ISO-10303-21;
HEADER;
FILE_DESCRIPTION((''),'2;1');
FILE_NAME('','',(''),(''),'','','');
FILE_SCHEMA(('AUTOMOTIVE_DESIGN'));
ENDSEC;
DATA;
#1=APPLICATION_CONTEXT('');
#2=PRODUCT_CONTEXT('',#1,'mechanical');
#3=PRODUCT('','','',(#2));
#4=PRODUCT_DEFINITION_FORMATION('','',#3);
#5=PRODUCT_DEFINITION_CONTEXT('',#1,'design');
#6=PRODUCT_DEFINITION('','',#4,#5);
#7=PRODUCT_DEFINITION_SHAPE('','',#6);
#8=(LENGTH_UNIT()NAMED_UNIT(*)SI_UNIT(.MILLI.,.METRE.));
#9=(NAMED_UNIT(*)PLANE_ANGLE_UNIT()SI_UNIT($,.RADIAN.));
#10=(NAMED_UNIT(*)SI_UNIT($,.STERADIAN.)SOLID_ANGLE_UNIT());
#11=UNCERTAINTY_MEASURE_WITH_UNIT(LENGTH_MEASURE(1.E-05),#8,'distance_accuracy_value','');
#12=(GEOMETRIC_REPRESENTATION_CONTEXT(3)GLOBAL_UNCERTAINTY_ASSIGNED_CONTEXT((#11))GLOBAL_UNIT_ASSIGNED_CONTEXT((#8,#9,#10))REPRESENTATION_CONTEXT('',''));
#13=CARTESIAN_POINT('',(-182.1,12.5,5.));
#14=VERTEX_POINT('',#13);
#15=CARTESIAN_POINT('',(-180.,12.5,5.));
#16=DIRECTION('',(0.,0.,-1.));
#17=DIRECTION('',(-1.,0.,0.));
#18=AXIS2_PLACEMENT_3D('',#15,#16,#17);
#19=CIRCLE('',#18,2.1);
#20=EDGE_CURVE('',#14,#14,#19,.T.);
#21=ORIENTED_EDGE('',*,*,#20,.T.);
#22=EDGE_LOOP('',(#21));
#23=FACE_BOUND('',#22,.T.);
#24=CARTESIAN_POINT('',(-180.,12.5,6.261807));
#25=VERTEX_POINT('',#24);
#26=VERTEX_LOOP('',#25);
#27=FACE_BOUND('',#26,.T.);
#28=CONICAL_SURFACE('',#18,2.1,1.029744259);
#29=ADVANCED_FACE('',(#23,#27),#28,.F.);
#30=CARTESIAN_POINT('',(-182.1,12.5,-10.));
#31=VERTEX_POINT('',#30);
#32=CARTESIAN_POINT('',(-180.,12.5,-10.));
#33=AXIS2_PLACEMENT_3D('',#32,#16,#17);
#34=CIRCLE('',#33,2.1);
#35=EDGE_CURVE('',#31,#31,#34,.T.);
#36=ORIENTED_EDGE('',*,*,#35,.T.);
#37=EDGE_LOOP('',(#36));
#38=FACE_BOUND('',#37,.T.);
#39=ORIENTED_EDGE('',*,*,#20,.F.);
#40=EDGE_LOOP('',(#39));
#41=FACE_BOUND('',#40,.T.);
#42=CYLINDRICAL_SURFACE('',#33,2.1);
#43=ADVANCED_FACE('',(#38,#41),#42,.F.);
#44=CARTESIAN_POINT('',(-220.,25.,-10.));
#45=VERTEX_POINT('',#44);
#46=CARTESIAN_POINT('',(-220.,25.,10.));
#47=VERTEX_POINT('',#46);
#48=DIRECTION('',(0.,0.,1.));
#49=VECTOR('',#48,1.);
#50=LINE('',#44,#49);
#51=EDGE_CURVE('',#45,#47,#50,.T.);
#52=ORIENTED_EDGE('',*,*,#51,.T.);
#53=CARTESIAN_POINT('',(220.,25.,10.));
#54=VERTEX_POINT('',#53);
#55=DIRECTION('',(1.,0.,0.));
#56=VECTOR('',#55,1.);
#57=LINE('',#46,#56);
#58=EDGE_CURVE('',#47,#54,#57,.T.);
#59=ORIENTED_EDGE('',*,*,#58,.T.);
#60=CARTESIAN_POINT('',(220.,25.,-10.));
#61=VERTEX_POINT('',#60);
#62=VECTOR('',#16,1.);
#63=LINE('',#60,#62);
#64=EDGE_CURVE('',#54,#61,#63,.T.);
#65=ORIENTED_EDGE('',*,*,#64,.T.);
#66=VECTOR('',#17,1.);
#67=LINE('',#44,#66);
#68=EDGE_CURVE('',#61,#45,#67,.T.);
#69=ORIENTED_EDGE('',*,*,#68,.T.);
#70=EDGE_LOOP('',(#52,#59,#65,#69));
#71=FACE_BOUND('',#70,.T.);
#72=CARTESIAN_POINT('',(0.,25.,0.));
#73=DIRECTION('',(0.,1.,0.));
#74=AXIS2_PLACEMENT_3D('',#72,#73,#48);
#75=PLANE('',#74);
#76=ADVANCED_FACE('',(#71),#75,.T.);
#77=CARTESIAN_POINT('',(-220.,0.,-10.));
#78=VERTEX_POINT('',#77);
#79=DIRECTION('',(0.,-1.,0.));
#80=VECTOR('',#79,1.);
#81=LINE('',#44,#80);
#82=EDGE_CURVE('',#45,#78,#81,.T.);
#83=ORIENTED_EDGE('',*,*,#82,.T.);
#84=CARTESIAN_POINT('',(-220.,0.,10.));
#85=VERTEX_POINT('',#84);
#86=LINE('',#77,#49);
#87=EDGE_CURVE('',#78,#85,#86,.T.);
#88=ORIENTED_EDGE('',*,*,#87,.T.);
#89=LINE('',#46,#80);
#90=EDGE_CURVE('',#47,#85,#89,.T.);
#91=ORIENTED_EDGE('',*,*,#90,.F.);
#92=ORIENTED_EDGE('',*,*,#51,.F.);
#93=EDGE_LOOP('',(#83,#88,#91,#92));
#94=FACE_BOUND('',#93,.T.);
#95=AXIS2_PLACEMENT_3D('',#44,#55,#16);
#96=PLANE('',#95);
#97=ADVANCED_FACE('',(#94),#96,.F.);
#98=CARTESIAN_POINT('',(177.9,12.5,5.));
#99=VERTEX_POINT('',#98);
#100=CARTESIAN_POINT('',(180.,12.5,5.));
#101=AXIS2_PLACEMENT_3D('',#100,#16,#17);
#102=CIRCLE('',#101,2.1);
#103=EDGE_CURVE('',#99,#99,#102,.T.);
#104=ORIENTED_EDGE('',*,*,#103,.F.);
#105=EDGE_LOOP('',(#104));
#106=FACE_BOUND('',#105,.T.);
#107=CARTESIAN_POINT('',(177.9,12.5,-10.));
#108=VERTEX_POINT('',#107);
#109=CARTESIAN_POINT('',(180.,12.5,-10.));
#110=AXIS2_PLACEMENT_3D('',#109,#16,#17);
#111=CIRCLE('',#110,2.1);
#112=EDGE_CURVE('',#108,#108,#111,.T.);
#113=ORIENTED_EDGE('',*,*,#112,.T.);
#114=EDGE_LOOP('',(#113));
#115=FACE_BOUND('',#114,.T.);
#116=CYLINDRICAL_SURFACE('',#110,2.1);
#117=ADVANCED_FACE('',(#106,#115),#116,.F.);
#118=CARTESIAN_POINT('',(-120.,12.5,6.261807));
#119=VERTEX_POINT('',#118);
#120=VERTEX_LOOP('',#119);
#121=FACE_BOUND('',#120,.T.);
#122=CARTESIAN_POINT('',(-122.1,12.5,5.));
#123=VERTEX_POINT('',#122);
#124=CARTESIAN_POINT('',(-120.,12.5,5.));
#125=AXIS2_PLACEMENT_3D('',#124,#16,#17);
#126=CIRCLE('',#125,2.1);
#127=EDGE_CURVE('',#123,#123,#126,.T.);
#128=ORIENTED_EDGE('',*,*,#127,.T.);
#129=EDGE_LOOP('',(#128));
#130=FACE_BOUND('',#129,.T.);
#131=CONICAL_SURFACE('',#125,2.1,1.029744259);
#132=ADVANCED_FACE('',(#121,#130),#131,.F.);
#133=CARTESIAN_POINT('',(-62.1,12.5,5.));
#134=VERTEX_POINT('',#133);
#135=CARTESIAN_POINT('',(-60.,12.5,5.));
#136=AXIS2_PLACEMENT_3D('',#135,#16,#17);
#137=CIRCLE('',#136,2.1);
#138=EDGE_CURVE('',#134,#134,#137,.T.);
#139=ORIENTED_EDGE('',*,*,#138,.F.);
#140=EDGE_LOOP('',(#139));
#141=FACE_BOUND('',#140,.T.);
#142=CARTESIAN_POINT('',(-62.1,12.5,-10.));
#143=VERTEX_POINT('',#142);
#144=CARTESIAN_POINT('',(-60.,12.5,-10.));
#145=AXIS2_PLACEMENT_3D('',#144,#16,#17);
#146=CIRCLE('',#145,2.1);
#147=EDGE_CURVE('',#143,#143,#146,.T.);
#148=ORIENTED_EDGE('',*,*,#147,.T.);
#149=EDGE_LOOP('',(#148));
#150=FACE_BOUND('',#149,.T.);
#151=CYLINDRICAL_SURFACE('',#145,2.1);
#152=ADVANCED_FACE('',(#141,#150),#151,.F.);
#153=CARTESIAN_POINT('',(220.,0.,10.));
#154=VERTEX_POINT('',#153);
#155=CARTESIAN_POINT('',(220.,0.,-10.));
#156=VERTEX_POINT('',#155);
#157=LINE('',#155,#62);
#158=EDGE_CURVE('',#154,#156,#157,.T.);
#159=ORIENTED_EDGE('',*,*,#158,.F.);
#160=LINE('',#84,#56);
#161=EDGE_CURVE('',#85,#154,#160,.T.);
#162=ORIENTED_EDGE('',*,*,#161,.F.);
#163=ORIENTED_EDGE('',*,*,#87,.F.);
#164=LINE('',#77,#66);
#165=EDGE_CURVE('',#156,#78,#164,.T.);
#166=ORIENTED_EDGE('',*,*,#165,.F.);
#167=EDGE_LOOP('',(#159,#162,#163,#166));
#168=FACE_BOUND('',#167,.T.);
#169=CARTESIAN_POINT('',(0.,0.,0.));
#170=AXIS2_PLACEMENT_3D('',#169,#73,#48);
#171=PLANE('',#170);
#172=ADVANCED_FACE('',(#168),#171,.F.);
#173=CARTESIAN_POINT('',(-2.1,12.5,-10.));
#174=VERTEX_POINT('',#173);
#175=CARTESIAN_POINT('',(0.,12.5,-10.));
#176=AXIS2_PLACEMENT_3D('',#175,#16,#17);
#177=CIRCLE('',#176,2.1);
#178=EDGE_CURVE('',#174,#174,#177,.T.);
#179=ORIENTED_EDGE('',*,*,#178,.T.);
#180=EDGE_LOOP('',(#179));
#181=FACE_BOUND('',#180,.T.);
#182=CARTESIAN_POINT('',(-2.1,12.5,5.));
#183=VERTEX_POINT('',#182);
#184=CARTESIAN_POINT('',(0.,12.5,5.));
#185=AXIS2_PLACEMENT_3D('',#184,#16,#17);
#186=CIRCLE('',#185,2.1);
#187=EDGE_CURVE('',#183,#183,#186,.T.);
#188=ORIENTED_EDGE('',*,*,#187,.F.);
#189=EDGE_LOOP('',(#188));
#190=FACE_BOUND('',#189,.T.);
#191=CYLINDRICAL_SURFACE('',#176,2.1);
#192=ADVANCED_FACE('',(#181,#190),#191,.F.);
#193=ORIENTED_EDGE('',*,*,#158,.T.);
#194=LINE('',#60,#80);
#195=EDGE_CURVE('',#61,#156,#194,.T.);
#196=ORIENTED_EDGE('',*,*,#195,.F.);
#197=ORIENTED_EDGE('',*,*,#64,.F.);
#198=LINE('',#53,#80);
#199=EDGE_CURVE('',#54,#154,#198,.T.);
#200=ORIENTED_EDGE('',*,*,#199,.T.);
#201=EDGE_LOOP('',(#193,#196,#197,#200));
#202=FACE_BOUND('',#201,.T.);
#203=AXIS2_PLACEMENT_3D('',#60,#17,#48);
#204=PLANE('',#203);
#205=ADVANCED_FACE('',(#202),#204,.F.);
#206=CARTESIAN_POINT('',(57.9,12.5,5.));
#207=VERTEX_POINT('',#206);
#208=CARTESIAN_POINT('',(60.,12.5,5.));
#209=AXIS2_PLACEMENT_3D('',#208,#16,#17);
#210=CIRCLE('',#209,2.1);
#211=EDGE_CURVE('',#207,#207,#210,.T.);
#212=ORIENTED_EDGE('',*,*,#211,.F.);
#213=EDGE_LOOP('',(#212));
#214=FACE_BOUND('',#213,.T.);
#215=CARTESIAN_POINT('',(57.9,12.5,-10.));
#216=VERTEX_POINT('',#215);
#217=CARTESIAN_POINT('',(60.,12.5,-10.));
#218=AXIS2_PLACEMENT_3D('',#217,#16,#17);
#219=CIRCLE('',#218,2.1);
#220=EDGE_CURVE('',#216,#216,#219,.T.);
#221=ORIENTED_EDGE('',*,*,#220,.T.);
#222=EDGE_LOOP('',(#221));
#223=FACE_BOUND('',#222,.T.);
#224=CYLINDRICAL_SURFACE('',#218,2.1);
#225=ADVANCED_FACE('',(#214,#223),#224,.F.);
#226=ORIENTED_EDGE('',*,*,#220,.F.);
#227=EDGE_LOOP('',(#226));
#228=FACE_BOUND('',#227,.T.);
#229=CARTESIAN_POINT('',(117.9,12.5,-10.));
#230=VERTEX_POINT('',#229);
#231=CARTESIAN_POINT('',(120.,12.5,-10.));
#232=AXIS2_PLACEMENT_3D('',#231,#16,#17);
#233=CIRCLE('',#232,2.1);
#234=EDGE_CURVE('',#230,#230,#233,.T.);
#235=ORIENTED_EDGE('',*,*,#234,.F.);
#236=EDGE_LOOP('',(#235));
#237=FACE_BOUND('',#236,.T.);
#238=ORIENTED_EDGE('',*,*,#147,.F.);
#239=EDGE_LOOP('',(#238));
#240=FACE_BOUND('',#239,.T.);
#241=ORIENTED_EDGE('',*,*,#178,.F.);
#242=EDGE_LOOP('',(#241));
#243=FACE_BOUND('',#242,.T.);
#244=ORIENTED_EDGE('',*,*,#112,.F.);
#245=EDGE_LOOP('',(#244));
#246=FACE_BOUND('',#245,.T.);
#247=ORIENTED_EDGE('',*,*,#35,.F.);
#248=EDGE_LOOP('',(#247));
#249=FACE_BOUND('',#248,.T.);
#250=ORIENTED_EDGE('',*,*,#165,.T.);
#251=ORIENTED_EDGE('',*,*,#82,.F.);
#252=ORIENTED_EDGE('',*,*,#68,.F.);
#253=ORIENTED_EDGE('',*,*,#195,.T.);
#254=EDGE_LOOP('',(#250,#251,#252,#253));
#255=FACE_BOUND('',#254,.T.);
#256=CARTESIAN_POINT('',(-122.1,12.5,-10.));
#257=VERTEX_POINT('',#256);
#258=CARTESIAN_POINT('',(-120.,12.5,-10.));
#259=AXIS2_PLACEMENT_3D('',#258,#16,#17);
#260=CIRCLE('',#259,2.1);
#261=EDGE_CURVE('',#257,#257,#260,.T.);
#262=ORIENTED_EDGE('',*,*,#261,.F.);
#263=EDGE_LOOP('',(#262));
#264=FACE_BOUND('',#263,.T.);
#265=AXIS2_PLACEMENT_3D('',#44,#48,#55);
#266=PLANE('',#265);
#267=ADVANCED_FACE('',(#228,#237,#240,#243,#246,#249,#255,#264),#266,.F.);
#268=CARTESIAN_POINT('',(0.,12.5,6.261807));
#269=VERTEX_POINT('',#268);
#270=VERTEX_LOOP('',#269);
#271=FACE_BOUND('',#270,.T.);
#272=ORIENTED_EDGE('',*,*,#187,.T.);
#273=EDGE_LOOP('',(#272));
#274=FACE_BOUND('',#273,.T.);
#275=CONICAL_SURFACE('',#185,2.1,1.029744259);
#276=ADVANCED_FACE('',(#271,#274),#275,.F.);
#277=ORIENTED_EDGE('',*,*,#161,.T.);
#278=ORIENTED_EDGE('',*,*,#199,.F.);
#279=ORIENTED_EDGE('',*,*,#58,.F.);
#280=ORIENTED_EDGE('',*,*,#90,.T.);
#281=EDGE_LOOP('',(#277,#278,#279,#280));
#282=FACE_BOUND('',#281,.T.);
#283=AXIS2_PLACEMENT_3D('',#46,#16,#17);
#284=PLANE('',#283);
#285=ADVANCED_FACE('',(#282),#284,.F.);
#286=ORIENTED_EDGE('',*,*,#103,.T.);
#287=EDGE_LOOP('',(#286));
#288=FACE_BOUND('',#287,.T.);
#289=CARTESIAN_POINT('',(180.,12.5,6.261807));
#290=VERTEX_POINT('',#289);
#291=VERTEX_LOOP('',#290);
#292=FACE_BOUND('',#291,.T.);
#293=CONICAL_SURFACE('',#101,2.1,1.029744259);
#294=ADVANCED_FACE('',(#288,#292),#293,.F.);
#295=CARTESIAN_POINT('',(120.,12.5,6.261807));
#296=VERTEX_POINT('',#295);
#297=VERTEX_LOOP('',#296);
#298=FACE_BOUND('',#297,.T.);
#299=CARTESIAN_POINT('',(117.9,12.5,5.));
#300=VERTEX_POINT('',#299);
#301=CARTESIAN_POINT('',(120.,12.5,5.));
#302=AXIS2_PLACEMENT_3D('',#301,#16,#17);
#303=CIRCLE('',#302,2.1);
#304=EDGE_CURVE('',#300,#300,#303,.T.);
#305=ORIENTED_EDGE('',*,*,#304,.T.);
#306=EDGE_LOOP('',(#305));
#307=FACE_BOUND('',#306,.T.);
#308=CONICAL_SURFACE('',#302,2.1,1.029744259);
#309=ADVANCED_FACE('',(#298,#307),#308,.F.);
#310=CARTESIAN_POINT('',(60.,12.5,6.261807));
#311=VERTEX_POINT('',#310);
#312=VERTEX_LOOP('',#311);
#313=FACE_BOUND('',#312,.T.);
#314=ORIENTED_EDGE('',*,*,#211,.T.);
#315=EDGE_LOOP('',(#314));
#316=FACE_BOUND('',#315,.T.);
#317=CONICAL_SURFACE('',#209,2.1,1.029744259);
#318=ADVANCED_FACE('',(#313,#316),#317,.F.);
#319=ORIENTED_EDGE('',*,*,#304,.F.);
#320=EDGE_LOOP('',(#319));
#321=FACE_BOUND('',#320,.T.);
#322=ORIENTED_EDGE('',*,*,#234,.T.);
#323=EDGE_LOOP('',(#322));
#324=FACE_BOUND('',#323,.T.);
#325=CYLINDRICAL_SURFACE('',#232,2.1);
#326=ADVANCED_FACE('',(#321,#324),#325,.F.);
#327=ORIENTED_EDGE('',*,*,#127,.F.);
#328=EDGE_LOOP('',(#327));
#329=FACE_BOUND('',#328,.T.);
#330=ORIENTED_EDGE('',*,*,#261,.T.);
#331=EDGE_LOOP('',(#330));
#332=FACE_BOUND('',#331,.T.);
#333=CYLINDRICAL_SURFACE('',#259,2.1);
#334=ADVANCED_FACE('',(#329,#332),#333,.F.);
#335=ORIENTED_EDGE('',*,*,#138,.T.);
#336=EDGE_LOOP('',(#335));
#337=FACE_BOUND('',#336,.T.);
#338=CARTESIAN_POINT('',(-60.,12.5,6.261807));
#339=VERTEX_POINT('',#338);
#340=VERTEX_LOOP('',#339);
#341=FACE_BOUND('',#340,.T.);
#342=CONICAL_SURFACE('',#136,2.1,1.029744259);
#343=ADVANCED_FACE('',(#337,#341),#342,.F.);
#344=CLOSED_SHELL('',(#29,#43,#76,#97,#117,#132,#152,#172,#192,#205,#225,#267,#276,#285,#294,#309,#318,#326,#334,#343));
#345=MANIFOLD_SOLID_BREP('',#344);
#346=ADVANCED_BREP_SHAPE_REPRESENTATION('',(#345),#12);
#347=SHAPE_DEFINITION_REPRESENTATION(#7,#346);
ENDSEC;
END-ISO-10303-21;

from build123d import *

# Parameters (mm, degrees)
SKETCH1_W             = 440
SKETCH1_H             = 20
BOSS_EXTRUDE1_DEPTH   = 25
M5_TAPPED_HOLE1_D     = 4.2
M5_TAPPED_HOLE1_DEPTH = 15
M5_TAPPED_HOLE1_TIP   = 1.2618073


with BuildPart() as part:
    # Sketch1 → Boss-Extrude1 (new body)
    with BuildSketch(Plane(origin=(0, 0, 0), x_dir=(1, 0, 0), z_dir=(0, 1, 0))):
        Rectangle(SKETCH1_W, SKETCH1_H)
    extrude(amount=BOSS_EXTRUDE1_DEPTH)

    # M5 Tapped Hole1
    with Locations(Plane(origin=(0, 0, -10), x_dir=(-1, 0, 0), z_dir=(0, 0, -1))):
        with Locations((0, 12.5), (60, 12.5), (120, 12.5), (180, 12.5), (-60, 12.5), (-120, 12.5), (-180, 12.5)):
            Hole(M5_TAPPED_HOLE1_D / 2, depth=M5_TAPPED_HOLE1_DEPTH)
            with Locations((0, 0, -(M5_TAPPED_HOLE1_DEPTH + M5_TAPPED_HOLE1_TIP / 2))):  # 118° drill point
                Cone(0, M5_TAPPED_HOLE1_D / 2, M5_TAPPED_HOLE1_TIP, mode=Mode.SUBTRACT)


solid = part.part
